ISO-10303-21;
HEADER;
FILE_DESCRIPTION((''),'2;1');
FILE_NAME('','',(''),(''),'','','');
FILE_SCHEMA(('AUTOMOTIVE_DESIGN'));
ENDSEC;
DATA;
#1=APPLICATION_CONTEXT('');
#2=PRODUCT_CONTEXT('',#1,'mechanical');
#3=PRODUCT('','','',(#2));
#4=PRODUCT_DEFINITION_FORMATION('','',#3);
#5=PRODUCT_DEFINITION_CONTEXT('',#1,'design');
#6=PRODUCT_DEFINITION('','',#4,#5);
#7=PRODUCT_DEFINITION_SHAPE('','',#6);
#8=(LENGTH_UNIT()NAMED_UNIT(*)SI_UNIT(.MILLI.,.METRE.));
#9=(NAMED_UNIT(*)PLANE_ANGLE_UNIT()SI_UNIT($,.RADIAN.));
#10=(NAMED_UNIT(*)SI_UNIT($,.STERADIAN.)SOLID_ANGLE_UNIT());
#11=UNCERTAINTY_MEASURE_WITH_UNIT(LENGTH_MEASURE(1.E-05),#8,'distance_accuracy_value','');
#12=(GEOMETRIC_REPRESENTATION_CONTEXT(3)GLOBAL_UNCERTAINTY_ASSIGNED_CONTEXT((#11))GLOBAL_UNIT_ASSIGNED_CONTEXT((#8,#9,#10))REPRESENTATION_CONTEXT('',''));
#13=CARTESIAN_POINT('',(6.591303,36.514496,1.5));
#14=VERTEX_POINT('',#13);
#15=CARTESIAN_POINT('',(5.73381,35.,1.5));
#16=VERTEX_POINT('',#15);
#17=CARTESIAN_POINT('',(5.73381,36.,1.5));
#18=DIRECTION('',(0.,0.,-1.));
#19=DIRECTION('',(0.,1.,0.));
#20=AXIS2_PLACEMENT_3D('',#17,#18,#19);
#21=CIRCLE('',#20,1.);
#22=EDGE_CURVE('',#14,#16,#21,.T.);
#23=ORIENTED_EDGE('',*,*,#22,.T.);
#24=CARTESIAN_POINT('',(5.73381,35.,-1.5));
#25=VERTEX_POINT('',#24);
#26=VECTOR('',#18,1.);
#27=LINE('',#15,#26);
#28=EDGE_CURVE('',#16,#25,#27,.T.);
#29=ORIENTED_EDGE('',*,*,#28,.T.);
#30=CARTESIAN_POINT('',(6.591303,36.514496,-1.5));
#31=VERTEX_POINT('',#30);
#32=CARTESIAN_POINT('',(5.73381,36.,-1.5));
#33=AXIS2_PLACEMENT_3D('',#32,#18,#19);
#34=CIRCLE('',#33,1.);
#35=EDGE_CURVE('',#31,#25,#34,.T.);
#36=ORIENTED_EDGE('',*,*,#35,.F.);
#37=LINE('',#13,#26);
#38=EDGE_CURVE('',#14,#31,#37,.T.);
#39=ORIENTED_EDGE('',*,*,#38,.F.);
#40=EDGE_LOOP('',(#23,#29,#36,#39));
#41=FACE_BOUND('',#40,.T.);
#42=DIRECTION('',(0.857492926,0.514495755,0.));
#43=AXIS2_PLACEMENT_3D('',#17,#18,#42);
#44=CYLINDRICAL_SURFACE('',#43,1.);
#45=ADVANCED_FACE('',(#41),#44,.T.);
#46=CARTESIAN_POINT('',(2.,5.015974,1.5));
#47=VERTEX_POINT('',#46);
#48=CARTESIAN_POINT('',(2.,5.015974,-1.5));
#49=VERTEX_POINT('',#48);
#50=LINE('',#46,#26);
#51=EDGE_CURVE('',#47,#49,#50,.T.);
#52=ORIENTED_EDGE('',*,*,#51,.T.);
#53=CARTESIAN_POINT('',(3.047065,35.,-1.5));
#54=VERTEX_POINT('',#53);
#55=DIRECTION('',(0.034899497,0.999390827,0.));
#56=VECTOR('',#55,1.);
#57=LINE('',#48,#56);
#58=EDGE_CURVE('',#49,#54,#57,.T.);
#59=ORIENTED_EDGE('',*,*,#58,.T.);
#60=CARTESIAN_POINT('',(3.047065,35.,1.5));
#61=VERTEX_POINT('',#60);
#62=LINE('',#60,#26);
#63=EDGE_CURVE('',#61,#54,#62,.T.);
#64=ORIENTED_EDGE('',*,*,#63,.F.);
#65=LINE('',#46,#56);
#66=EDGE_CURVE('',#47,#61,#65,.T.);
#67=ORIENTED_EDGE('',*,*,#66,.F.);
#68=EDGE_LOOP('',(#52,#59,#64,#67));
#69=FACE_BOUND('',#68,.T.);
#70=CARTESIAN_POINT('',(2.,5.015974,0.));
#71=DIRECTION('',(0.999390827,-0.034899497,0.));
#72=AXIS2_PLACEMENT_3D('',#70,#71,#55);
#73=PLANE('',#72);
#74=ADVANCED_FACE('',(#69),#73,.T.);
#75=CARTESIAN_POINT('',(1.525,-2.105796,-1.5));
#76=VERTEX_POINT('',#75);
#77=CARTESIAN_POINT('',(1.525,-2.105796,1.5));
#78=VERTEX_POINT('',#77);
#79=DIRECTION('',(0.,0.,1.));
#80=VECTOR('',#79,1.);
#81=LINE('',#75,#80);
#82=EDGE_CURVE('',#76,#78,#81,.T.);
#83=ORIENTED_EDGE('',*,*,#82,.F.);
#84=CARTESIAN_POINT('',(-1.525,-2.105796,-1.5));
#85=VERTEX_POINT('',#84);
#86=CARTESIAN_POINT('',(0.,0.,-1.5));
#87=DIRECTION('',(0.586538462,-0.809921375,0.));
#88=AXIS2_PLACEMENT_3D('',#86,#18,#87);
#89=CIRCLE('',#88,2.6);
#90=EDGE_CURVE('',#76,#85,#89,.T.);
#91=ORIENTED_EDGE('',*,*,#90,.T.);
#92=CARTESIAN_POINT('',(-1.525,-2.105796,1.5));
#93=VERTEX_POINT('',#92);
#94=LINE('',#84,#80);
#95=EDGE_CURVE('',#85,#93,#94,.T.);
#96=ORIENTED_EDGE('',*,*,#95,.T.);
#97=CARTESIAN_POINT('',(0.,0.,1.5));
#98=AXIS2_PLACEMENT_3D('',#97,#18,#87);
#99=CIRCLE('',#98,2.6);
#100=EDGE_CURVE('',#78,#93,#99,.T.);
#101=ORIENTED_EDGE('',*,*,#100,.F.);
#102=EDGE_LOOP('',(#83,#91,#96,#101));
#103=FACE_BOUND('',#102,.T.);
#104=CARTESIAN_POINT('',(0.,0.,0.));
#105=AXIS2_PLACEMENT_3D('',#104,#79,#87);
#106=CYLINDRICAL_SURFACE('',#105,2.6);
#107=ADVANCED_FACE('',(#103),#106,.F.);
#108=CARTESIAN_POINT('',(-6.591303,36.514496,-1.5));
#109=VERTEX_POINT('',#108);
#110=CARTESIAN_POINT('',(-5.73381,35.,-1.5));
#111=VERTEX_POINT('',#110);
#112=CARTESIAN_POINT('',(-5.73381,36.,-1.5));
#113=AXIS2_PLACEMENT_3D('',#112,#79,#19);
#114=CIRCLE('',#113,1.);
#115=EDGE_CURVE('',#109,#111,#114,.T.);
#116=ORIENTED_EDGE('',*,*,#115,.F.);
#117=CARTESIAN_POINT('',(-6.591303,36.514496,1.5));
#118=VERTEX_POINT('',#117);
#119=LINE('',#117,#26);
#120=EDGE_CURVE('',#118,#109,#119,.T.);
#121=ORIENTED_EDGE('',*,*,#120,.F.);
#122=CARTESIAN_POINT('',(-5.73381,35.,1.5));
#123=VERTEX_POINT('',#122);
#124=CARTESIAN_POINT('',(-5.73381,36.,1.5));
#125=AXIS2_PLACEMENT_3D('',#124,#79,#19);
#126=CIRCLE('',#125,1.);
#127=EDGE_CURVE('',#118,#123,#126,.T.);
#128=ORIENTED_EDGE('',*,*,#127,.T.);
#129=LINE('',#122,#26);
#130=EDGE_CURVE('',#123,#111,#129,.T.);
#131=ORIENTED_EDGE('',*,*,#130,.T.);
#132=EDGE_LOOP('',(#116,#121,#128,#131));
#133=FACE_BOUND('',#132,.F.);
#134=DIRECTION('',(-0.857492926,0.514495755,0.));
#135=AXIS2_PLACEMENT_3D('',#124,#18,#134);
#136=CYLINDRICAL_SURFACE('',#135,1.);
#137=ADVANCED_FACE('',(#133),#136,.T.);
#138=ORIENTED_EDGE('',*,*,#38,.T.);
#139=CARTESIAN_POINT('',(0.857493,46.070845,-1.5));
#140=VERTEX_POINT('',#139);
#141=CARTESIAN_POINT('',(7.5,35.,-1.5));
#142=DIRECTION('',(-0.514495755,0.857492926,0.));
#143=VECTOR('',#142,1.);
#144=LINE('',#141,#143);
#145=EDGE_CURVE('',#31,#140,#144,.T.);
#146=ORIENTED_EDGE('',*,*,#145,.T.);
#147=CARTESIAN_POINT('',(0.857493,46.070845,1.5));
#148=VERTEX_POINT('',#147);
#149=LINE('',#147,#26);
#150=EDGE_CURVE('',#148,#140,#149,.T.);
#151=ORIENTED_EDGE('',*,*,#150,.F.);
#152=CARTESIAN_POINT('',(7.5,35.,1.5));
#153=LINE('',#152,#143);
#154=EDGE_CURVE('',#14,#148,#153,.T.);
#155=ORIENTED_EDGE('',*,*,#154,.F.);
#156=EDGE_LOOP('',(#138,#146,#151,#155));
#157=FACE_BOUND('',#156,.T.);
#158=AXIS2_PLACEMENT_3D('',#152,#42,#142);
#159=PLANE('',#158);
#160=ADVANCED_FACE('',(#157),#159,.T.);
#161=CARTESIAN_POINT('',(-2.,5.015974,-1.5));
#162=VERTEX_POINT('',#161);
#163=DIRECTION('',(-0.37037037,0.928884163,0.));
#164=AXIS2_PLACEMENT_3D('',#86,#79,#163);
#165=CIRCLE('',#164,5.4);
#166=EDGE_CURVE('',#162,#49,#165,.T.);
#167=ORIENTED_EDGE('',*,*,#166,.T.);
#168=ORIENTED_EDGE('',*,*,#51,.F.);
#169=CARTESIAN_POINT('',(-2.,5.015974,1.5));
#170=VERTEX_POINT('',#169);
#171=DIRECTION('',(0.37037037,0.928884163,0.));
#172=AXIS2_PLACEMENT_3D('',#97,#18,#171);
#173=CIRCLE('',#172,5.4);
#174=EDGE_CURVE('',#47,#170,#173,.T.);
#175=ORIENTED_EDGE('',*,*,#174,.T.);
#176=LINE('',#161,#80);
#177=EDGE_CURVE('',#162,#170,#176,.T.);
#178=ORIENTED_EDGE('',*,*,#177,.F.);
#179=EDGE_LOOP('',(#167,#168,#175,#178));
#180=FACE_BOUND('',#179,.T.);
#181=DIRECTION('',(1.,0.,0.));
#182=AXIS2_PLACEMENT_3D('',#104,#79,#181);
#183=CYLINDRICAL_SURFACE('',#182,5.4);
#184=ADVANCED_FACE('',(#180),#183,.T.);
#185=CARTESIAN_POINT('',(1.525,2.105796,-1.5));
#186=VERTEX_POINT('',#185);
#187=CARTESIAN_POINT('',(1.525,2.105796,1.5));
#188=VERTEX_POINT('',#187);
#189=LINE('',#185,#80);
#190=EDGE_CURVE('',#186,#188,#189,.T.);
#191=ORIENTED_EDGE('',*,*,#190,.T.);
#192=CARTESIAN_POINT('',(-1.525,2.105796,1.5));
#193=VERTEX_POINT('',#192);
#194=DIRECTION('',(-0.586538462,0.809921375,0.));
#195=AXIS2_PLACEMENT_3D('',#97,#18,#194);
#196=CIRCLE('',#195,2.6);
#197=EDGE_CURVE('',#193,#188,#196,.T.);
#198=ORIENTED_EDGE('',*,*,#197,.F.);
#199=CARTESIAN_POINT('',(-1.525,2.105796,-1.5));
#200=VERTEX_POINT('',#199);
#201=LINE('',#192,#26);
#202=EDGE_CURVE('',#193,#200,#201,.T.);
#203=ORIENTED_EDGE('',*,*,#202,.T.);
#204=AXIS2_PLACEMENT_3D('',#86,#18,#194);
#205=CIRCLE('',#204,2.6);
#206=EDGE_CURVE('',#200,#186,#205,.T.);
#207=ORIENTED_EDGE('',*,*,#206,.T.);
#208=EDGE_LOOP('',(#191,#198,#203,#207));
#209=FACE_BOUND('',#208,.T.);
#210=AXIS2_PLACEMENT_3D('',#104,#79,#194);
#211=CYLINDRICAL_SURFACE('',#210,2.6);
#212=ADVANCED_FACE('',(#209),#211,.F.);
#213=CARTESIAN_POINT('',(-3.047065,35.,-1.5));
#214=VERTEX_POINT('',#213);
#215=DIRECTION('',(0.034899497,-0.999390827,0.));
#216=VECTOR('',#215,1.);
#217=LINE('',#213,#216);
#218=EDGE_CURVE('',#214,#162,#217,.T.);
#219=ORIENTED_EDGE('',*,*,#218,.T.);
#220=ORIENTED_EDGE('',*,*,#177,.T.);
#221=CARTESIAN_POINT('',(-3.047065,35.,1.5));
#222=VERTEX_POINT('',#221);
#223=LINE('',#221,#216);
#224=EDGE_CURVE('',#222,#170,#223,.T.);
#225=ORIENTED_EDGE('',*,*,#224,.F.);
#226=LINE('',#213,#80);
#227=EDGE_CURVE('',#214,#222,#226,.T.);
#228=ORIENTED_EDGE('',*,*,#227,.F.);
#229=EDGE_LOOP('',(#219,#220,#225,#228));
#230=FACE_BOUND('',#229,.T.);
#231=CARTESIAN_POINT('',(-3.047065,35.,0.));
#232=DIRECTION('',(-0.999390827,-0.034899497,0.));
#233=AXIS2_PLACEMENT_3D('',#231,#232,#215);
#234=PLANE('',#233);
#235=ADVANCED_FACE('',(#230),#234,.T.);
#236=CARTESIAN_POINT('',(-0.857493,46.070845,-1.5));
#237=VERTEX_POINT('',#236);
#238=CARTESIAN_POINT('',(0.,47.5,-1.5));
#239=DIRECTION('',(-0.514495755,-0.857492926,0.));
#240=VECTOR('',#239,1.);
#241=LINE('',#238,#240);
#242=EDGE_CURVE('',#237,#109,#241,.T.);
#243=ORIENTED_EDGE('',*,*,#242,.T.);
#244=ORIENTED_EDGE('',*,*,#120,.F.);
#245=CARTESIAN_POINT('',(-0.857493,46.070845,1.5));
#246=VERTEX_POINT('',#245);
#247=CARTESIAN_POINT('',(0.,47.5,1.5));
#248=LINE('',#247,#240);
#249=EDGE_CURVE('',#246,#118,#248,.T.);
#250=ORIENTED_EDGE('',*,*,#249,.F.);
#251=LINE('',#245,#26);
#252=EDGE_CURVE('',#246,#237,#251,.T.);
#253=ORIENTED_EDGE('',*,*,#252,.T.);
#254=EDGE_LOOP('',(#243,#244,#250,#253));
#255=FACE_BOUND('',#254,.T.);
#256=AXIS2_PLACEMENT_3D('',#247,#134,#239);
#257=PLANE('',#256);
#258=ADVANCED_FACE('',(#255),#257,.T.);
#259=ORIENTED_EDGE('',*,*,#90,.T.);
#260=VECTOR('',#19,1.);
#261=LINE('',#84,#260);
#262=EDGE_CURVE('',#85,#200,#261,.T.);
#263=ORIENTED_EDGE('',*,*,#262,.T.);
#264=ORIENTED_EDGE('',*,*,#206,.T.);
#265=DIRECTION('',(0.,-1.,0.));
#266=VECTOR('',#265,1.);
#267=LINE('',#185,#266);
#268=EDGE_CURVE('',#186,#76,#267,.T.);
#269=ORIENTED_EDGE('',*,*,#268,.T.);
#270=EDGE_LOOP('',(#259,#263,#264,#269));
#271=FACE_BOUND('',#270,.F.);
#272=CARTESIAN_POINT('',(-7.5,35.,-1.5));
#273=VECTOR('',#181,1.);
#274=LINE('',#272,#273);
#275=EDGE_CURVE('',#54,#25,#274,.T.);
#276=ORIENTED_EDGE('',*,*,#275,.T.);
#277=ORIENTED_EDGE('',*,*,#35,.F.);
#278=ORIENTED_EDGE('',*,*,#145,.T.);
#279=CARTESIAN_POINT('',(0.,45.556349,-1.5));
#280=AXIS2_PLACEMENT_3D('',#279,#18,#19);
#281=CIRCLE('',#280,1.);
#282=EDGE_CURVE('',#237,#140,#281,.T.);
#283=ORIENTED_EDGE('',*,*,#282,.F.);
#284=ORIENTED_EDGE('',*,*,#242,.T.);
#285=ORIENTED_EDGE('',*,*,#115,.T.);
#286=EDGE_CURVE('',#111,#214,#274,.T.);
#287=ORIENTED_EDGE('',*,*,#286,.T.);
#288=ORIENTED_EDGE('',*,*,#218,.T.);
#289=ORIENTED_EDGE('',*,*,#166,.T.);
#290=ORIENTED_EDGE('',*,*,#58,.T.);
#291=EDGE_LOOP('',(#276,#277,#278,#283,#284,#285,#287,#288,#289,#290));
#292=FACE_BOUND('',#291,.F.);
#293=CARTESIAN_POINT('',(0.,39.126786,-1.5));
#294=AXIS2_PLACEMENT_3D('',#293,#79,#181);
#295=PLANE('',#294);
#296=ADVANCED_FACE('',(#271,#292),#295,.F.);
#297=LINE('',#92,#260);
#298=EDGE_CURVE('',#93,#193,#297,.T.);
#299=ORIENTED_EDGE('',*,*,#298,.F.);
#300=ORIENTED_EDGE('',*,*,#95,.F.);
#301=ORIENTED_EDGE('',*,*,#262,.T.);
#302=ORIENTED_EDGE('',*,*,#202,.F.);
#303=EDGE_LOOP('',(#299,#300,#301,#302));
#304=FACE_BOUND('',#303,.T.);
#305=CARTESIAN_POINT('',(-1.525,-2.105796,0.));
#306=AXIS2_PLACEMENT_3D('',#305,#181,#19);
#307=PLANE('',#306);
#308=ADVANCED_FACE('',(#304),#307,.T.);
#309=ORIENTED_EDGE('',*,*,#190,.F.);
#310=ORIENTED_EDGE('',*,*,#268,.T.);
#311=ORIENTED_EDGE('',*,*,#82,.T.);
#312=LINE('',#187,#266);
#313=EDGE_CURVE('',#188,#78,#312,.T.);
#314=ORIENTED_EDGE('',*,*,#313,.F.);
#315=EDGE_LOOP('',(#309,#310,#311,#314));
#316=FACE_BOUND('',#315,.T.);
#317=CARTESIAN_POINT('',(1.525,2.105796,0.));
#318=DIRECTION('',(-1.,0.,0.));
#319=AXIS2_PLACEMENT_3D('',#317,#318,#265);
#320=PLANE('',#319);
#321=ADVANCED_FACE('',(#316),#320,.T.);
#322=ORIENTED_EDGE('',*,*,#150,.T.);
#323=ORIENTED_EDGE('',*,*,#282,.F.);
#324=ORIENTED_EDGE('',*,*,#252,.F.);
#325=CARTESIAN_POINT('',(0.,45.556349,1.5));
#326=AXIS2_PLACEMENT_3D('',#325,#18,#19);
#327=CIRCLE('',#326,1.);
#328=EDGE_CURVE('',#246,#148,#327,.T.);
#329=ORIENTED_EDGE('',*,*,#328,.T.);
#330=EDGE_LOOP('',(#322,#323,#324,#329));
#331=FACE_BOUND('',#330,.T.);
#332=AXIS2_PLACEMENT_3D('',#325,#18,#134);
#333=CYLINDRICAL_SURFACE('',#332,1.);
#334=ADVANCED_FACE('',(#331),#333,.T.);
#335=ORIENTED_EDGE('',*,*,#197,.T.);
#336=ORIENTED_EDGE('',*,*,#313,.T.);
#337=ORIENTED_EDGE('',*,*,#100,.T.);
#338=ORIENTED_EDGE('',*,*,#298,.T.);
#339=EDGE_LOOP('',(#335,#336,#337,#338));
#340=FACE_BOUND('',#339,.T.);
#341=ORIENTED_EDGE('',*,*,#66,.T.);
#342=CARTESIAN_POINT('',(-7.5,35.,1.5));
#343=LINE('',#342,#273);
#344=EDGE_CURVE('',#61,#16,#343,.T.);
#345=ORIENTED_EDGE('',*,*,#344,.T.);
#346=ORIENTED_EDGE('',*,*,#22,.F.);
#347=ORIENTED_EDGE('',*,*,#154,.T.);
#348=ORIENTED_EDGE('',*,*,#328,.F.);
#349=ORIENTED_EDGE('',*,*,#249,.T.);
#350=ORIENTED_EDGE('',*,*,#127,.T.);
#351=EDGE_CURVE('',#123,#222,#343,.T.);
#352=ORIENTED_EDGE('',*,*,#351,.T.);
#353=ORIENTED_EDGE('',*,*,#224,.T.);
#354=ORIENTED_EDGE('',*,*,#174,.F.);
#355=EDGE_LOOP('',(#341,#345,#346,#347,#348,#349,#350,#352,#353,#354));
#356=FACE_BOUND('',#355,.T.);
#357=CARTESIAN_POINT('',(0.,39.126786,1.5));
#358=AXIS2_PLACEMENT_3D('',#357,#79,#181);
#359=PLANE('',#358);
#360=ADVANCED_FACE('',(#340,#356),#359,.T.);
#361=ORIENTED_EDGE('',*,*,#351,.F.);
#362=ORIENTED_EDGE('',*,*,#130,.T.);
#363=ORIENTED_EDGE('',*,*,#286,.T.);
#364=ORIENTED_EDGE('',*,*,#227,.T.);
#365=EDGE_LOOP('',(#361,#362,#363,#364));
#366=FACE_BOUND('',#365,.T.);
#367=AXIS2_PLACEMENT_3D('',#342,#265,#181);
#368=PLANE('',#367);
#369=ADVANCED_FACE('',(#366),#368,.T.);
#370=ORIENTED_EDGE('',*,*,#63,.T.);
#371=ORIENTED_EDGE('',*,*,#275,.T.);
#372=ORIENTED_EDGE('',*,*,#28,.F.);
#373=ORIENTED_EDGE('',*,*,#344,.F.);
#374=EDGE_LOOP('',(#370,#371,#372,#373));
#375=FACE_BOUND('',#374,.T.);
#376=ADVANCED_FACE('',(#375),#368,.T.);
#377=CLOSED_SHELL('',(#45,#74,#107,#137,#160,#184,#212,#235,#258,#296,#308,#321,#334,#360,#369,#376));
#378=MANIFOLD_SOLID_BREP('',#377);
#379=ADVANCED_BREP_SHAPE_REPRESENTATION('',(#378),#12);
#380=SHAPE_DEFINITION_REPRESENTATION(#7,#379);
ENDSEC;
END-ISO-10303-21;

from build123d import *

# Parameters (mm, degrees)
F0_R     = 5.4
F1_DEPTH = 1.5
F3_DEPTH = 1.5
F5_DEPTH = 3
F6_R     = 1


with BuildPart() as f1:
    # F0 (on Top) → F1 (new body, symmetric)
    with BuildSketch(Plane.XY):
        Circle(F0_R)
        with BuildLine():
            ThreePointArc((1.525, 2.1057955741), (2.3157072354, 1.1821590418), (2.6, 0))
            ThreePointArc((2.6, 0), (2.3157072354, -1.1821590418), (1.525, -2.1057955741))
            ThreePointArc((1.525, -2.1057955741), (0, -2.6), (-1.525, -2.1057955741))
            ThreePointArc((-1.525, -2.1057955741), (-2.6, 0), (-1.525, 2.1057955741))
            ThreePointArc((-1.525, 2.1057955741), (0, 2.6), (1.525, 2.1057955741))
        make_face(mode=Mode.SUBTRACT)
        with BuildLine():
            Line((-1.525, -2.1057955741), (-1.525, 2.1057955741))
            ThreePointArc((-1.525, 2.1057955741), (-2.6, 0), (-1.525, -2.1057955741))
        make_face()
        with BuildLine():
            ThreePointArc((1.525, -2.1057955741), (2.3157072354, -1.1821590418), (2.6, 0))
            ThreePointArc((2.6, 0), (2.3157072354, 1.1821590418), (1.525, 2.1057955741))
            Line((1.525, 2.1057955741), (1.525, -2.1057955741))
        make_face()
    extrude(amount=F1_DEPTH, both=True)

    # F2 (on Top) → F3 (join, symmetric)
    with BuildSketch(Plane.XY):
        with BuildLine():
            Line((3.0470652436, 35), (0, 35))
            Line((0, 35), (-3.0470652436, 35))
            Line((-3.0470652436, 35), (-2, 5.0159744816))
            ThreePointArc((-2, 5.0159744816), (0, 5.4), (2, 5.0159744816))
            Line((2, 5.0159744816), (3.0470652436, 35))
        make_face()
    extrude(amount=F3_DEPTH, both=True)

    # F4 (on face) → F5 (join, through all)
    with BuildSketch(Plane.XY.offset(1.5)):
        Polygon((0, 47.5), (-7.5, 35), (7.5, 35), align=None)
    extrude(amount=-F5_DEPTH)

    # F6
    f6_edges = [f1.edges().sort_by_distance(p)[0] for p in [
        (-7.5, 35, 0),
        (7.5, 35, 0),
        (0, 47.5, 0),
    ]]
    fillet(f6_edges, radius=F6_R)


solid = f1.part
